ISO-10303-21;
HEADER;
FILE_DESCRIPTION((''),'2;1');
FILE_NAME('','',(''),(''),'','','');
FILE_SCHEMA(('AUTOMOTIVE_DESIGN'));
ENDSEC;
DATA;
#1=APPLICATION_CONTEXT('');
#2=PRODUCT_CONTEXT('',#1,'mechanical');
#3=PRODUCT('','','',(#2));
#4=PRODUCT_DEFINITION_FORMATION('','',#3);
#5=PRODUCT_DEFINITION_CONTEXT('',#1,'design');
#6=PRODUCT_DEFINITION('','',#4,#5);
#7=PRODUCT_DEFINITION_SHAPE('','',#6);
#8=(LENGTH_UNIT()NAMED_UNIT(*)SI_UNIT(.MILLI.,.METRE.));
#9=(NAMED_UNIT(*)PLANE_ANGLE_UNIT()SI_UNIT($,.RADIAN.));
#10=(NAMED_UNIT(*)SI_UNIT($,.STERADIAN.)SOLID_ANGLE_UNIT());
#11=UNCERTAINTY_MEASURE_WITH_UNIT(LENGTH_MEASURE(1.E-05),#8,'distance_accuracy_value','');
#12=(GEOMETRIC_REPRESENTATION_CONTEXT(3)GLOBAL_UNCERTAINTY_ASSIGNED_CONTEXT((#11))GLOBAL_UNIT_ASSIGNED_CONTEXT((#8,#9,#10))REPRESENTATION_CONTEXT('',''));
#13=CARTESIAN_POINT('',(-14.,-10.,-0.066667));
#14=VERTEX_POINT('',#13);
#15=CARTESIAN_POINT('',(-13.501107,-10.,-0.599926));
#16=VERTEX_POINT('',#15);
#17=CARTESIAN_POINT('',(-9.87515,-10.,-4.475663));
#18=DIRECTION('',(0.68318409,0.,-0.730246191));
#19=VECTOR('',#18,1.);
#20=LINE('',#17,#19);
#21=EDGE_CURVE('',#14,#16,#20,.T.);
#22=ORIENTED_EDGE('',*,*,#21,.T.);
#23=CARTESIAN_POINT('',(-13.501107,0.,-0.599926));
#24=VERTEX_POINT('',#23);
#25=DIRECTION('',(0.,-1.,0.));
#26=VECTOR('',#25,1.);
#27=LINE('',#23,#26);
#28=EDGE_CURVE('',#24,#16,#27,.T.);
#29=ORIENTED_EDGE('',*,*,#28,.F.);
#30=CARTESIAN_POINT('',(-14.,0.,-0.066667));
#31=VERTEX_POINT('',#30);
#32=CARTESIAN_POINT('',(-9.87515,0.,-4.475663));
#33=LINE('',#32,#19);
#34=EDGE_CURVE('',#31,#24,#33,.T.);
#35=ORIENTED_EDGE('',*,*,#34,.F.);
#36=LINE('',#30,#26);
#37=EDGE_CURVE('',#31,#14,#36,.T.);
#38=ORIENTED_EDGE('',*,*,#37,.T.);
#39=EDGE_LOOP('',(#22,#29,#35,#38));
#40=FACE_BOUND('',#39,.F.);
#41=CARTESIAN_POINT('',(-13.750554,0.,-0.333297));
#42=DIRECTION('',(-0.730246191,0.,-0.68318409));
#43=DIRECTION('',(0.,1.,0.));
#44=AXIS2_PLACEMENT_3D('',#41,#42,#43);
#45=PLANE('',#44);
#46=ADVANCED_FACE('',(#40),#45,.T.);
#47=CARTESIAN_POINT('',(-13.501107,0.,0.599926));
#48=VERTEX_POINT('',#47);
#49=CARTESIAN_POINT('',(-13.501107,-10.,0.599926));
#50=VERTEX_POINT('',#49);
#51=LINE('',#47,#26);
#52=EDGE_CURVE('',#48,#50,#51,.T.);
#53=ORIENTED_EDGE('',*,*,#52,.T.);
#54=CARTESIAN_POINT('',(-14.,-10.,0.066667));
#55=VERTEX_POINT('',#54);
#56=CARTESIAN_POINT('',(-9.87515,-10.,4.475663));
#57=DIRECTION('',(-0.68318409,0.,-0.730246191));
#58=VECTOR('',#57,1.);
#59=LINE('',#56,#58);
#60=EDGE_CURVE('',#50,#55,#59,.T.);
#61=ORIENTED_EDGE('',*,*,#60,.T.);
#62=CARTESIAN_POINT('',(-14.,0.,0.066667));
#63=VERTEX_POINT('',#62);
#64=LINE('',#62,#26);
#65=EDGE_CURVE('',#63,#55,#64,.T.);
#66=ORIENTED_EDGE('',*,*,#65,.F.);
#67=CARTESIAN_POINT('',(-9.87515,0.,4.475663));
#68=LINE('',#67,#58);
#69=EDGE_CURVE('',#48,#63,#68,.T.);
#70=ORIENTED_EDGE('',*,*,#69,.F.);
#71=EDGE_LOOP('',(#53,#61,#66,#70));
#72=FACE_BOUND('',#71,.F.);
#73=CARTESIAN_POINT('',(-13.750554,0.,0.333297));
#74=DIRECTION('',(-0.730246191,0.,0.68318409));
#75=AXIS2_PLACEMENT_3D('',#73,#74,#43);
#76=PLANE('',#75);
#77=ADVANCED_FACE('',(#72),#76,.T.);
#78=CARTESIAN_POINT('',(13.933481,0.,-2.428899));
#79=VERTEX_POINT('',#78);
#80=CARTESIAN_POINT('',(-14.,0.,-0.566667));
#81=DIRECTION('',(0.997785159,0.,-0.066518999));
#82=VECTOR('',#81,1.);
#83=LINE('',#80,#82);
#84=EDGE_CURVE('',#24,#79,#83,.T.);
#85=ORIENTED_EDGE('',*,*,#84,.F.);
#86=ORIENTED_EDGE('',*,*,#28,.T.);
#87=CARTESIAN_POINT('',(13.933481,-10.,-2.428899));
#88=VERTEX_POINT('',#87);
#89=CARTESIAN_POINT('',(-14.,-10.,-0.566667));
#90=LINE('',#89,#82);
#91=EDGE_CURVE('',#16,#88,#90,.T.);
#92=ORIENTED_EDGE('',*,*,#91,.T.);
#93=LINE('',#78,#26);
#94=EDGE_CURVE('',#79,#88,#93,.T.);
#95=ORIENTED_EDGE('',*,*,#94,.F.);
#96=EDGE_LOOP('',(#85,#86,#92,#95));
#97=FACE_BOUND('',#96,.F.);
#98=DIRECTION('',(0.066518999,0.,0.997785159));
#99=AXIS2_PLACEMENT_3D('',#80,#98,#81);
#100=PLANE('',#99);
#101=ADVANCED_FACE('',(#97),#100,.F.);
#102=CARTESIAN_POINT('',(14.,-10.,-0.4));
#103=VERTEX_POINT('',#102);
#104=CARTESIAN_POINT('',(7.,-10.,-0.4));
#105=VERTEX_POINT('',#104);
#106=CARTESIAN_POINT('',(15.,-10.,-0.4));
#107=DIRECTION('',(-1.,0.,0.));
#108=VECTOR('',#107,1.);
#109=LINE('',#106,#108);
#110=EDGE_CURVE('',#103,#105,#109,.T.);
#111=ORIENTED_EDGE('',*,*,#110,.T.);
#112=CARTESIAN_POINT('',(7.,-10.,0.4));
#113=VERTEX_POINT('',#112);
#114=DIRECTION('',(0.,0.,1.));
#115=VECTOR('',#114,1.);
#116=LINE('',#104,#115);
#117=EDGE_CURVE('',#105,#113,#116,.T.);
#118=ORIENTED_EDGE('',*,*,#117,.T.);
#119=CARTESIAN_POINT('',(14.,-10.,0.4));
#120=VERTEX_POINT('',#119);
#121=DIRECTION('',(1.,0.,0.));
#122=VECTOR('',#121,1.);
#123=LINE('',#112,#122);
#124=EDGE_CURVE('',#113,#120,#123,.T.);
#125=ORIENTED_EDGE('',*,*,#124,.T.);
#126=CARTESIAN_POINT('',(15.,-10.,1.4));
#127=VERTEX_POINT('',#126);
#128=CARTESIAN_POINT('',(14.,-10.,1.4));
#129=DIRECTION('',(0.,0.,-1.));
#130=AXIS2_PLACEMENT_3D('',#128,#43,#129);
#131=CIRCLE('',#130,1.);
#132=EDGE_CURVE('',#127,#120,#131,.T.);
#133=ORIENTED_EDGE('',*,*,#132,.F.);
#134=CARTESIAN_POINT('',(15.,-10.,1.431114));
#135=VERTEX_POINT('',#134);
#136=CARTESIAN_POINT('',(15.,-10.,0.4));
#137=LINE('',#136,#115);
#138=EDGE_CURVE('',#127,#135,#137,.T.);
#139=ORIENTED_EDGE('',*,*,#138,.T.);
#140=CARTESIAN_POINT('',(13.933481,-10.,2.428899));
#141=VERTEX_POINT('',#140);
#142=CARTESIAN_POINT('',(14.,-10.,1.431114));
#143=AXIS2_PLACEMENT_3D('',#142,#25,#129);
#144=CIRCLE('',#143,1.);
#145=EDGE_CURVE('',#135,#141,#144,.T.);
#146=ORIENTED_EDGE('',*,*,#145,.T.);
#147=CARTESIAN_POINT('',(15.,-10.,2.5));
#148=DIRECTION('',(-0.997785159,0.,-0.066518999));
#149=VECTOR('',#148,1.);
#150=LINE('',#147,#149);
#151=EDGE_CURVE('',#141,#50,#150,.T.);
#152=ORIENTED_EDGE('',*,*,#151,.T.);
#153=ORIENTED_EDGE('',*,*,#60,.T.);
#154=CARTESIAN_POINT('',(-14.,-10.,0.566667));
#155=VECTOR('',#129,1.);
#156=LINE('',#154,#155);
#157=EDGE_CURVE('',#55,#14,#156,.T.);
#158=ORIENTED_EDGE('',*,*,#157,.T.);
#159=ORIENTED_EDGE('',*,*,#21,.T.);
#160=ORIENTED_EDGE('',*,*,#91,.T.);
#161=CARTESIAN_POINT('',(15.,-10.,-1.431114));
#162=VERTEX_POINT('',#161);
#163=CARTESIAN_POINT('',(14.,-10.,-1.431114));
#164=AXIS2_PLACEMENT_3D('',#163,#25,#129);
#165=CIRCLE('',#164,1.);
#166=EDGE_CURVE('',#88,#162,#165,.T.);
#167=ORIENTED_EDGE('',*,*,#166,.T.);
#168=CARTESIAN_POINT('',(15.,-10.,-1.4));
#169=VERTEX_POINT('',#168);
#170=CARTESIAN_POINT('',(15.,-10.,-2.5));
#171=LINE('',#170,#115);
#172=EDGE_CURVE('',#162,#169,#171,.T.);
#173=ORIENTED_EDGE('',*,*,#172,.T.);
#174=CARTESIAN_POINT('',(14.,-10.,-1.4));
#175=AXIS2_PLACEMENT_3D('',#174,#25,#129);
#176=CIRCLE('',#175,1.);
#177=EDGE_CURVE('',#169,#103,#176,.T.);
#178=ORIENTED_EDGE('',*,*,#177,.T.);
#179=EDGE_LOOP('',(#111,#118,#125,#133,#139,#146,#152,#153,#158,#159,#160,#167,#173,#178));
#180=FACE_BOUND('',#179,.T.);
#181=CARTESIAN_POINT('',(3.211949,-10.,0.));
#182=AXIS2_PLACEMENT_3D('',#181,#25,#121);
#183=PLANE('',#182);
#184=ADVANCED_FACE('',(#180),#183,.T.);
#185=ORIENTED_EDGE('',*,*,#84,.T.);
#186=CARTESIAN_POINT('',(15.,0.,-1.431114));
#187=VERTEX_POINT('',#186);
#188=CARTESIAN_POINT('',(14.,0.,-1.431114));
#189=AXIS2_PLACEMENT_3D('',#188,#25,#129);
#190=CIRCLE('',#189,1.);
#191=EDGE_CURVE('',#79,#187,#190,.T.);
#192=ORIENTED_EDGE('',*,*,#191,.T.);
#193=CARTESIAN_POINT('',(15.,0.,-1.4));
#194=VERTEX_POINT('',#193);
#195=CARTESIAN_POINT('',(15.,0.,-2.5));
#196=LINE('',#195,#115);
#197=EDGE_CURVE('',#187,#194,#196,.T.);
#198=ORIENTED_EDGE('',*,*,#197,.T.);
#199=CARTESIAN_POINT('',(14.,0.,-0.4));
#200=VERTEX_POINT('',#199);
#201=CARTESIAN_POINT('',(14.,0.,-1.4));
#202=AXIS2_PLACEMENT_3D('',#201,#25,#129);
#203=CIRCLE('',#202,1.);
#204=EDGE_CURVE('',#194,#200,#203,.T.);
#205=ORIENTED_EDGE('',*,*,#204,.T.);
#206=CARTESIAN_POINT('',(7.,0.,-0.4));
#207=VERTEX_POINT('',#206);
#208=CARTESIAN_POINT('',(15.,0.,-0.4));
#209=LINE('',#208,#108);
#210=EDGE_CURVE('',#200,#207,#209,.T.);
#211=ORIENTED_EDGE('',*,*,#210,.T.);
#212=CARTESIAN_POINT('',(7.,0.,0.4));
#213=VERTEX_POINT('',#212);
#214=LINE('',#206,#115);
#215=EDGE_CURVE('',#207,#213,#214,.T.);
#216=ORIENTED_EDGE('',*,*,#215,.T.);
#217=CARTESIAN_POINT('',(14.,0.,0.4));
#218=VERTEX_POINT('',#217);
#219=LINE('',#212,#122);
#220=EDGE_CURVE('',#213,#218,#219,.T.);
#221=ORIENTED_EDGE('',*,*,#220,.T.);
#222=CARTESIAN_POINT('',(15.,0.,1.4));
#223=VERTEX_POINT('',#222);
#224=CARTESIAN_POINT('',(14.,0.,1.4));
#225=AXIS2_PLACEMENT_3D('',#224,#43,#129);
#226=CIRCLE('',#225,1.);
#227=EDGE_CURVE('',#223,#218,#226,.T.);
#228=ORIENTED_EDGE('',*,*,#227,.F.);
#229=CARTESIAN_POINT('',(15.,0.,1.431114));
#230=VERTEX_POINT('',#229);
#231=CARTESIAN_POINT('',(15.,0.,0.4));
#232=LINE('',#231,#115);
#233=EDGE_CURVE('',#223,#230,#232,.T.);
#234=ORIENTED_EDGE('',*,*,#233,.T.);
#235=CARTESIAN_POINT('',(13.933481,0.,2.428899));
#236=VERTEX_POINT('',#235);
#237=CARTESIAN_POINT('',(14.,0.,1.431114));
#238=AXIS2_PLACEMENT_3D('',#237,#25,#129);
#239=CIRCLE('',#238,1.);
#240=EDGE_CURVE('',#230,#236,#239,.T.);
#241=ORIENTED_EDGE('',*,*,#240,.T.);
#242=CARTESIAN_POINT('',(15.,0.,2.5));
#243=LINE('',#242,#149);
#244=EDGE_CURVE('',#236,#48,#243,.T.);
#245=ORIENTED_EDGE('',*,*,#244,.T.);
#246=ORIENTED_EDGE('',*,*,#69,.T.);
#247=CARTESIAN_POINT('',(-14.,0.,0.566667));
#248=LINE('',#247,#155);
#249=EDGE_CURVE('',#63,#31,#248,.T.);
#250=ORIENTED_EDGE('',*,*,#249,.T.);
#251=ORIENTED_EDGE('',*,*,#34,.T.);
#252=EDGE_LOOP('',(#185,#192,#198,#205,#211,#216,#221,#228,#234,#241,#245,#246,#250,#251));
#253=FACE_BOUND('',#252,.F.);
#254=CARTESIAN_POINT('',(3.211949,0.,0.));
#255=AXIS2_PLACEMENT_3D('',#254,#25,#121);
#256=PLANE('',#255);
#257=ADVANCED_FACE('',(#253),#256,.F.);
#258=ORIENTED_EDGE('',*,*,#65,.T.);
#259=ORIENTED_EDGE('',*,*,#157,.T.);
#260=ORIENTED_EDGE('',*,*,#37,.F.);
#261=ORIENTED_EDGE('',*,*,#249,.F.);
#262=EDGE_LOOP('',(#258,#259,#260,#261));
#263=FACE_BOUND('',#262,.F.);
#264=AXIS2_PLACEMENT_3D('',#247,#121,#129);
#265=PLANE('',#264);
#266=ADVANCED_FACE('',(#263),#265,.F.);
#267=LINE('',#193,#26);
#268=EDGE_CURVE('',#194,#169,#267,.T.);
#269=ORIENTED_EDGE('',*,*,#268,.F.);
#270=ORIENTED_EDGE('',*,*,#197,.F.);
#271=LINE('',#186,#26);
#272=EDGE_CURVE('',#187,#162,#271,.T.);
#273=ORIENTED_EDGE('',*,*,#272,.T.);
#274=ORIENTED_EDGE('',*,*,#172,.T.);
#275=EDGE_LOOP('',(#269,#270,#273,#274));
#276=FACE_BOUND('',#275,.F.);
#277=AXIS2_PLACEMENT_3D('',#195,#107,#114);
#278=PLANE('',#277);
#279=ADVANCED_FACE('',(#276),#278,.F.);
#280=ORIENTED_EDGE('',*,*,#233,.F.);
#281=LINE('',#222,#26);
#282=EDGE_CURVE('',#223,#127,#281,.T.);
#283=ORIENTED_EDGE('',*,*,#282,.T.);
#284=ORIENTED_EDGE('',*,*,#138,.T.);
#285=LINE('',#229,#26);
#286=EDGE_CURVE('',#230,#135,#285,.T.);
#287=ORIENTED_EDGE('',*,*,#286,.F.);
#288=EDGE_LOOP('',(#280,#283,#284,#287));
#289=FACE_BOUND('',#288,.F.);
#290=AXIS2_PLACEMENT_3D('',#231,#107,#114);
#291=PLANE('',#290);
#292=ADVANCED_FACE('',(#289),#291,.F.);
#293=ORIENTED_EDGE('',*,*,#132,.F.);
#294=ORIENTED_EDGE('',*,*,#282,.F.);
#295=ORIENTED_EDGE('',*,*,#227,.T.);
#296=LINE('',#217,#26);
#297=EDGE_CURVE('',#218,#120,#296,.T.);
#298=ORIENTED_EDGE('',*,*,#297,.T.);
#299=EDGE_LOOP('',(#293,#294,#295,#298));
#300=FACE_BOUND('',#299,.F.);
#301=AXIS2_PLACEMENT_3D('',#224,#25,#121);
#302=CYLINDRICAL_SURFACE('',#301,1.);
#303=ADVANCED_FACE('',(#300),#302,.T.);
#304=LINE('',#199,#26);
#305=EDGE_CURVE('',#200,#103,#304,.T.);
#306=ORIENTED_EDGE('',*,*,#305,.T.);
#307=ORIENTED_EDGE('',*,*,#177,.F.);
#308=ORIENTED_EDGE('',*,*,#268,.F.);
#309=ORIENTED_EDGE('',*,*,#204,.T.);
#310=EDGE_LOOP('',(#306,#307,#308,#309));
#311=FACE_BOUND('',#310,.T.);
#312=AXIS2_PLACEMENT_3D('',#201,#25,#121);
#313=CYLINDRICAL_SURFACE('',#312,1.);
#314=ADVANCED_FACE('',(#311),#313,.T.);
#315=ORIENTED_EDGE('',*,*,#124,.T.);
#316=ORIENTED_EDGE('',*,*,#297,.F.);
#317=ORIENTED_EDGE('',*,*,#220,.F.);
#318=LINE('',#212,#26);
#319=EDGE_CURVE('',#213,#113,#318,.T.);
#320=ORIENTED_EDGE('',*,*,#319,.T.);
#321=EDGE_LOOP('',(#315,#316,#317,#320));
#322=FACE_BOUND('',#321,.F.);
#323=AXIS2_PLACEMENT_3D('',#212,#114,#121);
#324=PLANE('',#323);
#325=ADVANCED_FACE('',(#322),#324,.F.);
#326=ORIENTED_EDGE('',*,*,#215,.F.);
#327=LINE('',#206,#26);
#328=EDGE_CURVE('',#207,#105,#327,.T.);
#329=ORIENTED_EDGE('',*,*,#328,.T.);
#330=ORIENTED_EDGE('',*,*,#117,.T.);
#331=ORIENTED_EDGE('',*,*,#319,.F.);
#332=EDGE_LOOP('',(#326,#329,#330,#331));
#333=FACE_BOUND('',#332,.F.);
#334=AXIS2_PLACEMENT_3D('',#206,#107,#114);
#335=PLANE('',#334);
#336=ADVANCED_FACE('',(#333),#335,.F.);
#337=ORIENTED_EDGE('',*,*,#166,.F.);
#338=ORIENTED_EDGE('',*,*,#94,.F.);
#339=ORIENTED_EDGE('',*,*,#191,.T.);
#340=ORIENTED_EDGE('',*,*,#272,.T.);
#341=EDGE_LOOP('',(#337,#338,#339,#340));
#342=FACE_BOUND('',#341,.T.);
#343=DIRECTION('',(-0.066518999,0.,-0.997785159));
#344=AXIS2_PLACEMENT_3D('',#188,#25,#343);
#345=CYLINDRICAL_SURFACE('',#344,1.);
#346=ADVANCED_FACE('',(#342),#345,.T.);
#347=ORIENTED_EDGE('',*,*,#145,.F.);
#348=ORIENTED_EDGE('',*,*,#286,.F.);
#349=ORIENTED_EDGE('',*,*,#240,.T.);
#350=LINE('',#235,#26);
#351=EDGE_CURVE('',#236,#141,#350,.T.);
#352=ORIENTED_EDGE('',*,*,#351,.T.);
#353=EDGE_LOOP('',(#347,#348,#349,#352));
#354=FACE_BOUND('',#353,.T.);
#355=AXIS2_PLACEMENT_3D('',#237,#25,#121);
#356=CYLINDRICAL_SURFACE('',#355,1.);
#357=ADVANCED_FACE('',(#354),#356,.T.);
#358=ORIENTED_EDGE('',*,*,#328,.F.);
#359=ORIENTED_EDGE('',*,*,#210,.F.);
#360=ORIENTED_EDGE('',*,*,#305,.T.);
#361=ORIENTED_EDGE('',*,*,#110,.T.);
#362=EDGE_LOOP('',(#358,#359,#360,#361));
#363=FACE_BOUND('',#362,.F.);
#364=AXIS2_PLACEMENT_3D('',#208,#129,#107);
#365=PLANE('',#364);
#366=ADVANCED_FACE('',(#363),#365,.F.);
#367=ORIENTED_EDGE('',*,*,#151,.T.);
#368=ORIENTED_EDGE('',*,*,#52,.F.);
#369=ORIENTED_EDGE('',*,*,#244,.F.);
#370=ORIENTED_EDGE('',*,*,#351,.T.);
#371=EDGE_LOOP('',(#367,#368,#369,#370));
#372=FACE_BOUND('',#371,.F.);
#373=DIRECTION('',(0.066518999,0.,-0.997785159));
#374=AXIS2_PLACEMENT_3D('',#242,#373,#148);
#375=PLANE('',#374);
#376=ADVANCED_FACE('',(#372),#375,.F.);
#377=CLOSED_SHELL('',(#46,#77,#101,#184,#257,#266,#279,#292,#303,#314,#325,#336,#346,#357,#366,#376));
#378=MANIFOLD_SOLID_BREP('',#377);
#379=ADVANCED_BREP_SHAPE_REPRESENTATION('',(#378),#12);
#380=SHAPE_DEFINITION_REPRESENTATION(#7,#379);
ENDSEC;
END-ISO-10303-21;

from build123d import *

# Parameters (mm, degrees)
F1_DEPTH = 10
F2_R     = 1
F3_SIZE  = 0.5


with BuildPart() as f1:
    # F0 (on Front) → F1 (new body)
    with BuildSketch(Plane.XZ):
        Polygon((15, 0.4), (15, 2.5), (-14, 0.566667), (-14, 0), (-14, -0.566667), (15, -2.5), (15, -0.4), (7, -0.4), (7, 0.4), align=None)
    extrude(amount=F1_DEPTH)

    # F2
    f2_edges = [f1.edges().sort_by_distance(p)[0] for p in [
        (15, -5, -0.4),
        (15, -5, 0.4),
        (15, -5, -2.5),
        (15, -5, 2.5),
    ]]
    fillet(f2_edges, radius=F2_R)

    # F3
    f3_edges = [f1.edges().sort_by_distance(p)[0] for p in [
        (-14, -5, 0.566667),
        (-14, -5, -0.566667),
    ]]
    chamfer(f3_edges, length=F3_SIZE)


solid = f1.part
